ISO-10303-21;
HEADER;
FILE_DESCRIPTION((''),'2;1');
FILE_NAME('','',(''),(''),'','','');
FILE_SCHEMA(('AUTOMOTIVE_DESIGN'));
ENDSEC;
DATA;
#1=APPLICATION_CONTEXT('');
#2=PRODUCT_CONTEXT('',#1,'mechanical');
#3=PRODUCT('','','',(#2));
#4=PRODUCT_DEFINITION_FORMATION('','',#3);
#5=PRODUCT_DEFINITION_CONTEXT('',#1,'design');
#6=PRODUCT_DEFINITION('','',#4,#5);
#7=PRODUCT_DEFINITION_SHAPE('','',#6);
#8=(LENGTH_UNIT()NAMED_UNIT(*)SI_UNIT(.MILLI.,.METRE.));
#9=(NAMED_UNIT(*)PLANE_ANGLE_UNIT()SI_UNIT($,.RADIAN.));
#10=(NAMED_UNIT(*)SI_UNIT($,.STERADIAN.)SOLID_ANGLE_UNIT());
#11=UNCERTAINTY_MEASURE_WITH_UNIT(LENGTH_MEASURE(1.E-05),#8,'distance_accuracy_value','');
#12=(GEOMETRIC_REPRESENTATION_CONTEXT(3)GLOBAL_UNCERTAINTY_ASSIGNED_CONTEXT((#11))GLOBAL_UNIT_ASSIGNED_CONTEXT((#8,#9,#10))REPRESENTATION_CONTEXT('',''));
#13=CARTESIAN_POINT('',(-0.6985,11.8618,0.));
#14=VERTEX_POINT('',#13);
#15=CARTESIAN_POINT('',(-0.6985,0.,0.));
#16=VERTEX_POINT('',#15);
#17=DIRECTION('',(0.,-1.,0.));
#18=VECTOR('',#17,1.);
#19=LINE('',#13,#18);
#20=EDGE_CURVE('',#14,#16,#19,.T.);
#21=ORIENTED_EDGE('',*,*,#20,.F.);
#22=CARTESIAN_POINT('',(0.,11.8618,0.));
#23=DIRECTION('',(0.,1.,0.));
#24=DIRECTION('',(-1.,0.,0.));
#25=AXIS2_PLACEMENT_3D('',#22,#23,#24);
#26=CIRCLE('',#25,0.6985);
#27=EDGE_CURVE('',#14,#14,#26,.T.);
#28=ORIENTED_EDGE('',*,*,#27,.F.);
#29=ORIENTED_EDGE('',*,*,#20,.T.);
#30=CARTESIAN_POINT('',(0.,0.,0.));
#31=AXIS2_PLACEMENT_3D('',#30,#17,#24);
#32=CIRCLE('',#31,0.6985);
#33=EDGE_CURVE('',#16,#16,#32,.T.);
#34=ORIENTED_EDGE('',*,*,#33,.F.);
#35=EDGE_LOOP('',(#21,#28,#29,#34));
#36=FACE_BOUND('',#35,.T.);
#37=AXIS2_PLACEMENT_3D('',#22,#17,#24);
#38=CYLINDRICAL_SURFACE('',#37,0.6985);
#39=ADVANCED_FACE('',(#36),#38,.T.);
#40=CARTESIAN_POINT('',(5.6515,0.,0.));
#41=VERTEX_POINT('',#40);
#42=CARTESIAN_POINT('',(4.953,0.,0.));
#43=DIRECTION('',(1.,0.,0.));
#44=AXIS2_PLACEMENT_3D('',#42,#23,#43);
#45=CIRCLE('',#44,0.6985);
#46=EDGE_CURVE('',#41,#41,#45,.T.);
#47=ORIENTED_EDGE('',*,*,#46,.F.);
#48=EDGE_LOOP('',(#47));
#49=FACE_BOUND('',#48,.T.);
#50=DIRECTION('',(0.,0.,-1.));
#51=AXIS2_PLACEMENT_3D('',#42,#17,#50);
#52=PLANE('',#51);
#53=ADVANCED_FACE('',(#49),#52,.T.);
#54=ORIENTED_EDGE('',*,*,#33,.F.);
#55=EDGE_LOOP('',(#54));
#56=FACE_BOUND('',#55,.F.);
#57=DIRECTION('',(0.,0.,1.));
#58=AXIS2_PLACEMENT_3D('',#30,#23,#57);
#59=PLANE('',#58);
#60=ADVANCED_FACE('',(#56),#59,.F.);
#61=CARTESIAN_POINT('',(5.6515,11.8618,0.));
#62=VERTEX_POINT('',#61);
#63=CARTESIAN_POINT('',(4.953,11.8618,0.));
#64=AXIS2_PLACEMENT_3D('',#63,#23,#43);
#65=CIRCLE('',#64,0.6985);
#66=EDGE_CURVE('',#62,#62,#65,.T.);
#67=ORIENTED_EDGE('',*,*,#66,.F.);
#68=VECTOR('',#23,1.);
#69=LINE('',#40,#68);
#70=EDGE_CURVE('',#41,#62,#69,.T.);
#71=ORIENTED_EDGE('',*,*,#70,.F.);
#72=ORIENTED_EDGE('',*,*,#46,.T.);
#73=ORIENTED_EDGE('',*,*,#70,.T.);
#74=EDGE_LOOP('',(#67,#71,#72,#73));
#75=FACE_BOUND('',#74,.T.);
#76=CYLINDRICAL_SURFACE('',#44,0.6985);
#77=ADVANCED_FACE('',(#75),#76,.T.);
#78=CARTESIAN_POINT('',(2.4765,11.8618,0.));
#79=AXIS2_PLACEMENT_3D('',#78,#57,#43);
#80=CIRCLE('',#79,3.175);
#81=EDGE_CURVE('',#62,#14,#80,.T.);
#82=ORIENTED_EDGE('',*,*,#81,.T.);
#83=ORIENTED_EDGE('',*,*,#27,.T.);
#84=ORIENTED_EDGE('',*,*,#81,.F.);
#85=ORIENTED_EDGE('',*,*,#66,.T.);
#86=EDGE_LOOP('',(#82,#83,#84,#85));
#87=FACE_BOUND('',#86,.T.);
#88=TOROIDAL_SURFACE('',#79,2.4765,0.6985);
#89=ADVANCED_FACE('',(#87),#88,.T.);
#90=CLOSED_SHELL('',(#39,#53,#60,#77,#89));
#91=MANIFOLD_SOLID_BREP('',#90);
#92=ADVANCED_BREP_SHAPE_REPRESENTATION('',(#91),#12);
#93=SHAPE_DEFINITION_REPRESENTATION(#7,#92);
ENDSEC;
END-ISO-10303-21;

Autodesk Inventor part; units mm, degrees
ref_plane "XZ Plane" through (0, 0, 0) normal (0, 1, 0) x (-1, 0, 0)
ref_plane "XY Plane" through (0, 0, 0) normal (0, 0, 1) x (1, 0, 0)
sketch "Sketch1" plane through (0, 0, 0) normal (0, 0, 1) x (1, 0, 0)
  line L0 (4.953, 0) -> (4.953, 11.8618)
  line L1 (0, 11.8618) -> (0, 0)
  arc A0 (4.953, 11.8618) -> (0, 11.8618) centre (2.4765, 11.8618) ccw
  dimension "d0" = 4.953
  dimension "d1" = 11.8618
  dimension "d2" = 2.4765
  dimension "d3" = 4.953
sketch "Sketch6" plane through (0, 0, 0) normal (0, 1, 0) x (-1, 0, 0)
  circle A0 centre (0, 0) radius 0.6985
  dimension "d4" = 1.397
sweep "Sweep1" add profiles "Sketch6" path "Sketch1"
ref_plane "Work Plane1" through (2.4765, 11.8618, 0) normal (1, 0, 0) x (0, 1, 0)
sketch "Sketch8" plane through (2.4765, 11.8618, 0) normal (1, 0, 0) x (0, 1, 0)
  line L0 (0, 0) -> (0, -12.0654)
  point P0 (-11.8618, 0)
properties part number "Sun_SmallStaple"
